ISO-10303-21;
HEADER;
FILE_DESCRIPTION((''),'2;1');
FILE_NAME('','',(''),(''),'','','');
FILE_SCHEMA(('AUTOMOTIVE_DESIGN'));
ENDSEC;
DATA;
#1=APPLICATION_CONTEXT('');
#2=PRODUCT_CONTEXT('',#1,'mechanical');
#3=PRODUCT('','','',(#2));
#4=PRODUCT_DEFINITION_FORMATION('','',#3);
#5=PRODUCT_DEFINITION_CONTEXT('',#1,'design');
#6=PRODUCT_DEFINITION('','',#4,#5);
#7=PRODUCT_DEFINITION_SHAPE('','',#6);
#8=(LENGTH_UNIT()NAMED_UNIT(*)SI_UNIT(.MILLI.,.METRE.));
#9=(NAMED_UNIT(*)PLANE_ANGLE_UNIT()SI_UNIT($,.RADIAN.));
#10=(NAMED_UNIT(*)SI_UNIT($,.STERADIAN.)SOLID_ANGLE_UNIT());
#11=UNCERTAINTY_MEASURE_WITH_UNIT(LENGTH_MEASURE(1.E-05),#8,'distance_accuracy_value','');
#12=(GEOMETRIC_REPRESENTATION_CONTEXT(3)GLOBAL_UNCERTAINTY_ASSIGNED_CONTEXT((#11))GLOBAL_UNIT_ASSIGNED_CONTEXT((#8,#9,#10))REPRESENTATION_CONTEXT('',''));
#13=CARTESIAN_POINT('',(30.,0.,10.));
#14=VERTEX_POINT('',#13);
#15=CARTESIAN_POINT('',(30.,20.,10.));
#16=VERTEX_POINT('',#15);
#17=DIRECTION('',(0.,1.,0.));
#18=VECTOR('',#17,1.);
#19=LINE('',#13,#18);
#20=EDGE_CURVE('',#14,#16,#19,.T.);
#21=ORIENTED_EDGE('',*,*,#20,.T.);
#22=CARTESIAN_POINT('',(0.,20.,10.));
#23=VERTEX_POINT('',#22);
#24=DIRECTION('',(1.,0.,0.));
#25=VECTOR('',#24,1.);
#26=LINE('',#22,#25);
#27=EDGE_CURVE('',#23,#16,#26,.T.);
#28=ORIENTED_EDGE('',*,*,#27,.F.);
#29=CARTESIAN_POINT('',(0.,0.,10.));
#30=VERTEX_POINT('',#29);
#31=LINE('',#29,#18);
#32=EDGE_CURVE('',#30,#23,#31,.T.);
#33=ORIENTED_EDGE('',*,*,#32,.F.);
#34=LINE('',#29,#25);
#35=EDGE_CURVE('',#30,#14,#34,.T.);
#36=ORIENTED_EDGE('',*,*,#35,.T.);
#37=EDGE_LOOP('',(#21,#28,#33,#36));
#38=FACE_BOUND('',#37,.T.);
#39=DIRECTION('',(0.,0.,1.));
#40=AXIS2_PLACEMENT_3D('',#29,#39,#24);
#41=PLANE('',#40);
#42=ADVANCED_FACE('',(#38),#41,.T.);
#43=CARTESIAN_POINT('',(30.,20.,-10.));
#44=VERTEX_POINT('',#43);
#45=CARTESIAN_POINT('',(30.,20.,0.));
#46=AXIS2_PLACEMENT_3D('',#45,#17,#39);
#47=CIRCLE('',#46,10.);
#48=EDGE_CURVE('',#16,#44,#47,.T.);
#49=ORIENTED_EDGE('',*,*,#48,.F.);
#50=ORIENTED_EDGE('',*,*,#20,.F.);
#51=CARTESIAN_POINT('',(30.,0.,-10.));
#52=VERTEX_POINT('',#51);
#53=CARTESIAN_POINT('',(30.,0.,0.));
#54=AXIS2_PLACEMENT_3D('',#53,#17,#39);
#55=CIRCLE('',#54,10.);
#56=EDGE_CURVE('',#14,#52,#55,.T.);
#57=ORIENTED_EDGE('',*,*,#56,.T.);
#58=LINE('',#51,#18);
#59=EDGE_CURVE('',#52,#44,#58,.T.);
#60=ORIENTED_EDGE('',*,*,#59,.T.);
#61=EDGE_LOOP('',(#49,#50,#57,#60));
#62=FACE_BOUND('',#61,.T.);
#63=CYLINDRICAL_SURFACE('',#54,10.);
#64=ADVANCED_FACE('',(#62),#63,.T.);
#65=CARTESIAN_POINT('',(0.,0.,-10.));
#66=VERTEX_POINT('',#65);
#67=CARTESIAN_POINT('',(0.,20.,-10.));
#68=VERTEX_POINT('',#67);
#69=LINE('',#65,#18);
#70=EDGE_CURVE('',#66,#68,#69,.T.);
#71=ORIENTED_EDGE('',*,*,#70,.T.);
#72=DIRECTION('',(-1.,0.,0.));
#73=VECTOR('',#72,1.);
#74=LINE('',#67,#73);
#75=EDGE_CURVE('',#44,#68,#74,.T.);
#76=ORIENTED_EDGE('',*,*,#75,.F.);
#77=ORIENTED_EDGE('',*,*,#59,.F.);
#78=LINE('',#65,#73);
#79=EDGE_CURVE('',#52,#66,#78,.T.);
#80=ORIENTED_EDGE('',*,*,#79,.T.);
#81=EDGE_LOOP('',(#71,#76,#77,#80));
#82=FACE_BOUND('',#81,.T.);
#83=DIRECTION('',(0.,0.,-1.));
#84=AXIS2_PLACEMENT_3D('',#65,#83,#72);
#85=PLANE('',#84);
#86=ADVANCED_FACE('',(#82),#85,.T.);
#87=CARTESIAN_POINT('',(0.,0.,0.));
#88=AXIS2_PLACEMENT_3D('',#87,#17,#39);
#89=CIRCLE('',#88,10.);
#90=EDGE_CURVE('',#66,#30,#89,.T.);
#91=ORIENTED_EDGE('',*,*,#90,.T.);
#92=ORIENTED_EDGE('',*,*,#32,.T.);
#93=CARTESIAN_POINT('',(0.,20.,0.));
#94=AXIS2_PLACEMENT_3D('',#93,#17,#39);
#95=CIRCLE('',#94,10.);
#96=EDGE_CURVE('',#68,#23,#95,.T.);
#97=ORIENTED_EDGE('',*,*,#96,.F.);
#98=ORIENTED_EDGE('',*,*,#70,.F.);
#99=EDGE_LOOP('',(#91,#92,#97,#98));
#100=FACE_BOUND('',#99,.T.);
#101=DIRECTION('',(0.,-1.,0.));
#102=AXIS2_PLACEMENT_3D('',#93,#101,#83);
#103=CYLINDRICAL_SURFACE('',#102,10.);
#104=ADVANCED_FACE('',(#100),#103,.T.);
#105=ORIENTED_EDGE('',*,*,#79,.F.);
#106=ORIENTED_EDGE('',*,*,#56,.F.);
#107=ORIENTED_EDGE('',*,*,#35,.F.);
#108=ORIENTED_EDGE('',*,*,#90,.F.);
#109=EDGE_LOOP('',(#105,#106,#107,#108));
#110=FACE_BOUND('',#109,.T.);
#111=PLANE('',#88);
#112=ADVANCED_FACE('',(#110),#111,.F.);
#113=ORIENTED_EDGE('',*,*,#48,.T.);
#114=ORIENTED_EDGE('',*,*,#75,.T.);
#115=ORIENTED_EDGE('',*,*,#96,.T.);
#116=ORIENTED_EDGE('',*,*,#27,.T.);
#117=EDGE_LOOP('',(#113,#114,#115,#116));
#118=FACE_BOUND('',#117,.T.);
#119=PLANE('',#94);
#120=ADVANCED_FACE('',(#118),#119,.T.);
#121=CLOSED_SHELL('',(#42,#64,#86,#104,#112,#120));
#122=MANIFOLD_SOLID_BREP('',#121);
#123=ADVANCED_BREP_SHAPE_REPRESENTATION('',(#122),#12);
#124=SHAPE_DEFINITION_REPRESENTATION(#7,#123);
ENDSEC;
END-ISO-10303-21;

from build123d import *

# Parameters (mm, degrees)
SKETCH_1_R      = 10
EXTRUDE_1_DEPTH = 20
EXTRUDE_2_DEPTH = 20


with BuildPart() as part:
    # 草图1 → 凸台-拉伸1 (new body)
    with BuildSketch(Plane(origin=(0, 0, 0), x_dir=(1, 0, 0), z_dir=(0, 1, 0))):
        Circle(SKETCH_1_R)
    extrude(amount=EXTRUDE_1_DEPTH)

    # 草图2 → 凸台-拉伸2 (add)
    with BuildSketch(Plane(origin=(0, 20, 0), x_dir=(1, 0, 0), z_dir=(0, 1, 0))):
        with BuildLine():
            Line((0, 10), (30, 10))
            ThreePointArc((30, 10), (40, 0), (30, -10))
            Line((30, -10), (0, -10))
            Line((0, -10), (0, 10))
        make_face()
    extrude(amount=-EXTRUDE_2_DEPTH)


solid = part.part
